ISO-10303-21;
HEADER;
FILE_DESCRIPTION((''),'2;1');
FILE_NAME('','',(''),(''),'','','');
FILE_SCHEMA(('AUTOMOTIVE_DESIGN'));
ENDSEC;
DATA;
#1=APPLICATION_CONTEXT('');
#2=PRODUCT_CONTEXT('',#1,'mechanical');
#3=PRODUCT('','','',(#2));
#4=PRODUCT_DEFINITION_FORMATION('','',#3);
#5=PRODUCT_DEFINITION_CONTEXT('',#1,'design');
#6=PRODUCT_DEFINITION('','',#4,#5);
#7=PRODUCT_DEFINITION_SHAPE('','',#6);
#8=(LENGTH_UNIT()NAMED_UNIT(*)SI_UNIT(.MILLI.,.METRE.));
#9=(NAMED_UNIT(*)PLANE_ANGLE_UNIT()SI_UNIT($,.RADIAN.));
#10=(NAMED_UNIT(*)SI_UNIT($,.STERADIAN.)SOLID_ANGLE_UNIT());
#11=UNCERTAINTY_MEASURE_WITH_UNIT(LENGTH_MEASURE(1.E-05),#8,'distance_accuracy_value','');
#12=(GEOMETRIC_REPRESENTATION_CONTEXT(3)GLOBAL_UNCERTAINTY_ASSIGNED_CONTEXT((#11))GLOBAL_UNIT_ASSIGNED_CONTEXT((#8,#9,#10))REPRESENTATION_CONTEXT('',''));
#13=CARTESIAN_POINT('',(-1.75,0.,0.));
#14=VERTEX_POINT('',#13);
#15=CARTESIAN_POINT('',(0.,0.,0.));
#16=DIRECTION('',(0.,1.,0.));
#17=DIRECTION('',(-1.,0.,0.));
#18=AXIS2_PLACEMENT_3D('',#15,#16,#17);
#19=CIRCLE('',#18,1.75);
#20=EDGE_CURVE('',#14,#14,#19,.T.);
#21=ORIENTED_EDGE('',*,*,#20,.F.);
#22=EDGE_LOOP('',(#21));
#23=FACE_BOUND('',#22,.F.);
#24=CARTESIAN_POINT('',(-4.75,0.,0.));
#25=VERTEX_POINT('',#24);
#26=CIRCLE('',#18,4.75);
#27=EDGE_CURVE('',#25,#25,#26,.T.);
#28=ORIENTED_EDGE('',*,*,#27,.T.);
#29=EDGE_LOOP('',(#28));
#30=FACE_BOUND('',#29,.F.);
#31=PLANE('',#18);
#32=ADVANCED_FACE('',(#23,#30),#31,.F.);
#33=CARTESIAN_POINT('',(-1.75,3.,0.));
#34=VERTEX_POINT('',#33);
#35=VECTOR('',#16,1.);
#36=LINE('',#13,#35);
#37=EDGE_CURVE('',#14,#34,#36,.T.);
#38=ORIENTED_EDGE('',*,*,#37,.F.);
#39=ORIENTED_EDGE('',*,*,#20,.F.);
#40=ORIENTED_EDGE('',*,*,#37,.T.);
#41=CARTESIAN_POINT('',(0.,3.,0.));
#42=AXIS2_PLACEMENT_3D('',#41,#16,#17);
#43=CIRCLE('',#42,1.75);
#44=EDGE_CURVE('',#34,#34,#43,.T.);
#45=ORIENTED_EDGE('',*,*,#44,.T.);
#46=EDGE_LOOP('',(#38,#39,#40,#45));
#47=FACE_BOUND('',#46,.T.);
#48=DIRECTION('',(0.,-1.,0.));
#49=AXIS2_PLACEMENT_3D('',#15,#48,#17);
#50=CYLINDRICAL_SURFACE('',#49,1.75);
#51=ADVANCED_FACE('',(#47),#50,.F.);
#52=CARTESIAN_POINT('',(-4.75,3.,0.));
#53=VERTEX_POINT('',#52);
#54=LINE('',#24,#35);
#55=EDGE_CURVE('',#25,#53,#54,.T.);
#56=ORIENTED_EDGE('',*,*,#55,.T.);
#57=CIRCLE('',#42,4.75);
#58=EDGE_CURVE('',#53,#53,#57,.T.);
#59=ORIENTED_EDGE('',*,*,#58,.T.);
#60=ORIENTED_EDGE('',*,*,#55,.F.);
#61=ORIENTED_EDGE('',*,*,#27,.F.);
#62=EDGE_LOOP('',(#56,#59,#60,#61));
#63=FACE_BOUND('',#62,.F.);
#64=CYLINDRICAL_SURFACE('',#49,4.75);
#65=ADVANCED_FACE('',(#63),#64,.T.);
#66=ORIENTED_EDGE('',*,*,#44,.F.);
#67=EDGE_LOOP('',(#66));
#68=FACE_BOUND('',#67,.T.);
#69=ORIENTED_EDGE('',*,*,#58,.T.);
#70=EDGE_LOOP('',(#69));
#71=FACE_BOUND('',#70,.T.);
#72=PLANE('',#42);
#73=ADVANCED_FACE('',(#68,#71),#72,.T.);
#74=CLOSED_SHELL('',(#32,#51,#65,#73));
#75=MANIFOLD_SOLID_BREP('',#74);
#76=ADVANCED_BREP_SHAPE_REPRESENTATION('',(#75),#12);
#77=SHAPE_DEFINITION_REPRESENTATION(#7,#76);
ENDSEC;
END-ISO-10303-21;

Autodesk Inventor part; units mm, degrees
ref_plane "YZ Plane" through (0, 0, 0) normal (1, 0, 0) x (0, 1, 0)
ref_plane "XZ Plane" through (0, 0, 0) normal (0, 1, 0) x (-1, 0, 0)
ref_plane "XY Plane" through (0, 0, 0) normal (0, 0, 1) x (1, 0, 0)
sketch "Эскиз1" plane through (0, 0, 0) normal (0, 1, 0) x (-1, 0, 0)
  circle A0 centre (0, 0) radius 1.75
  circle A1 centre (0, 0) radius 4.75
  dimension "d0" = 3.5
  dimension "d1" = 3
extrude "Выдавливание1" add sketch "Эскиз1" along normal blind 3
properties part number "_3DПЕЧАТЬ"
